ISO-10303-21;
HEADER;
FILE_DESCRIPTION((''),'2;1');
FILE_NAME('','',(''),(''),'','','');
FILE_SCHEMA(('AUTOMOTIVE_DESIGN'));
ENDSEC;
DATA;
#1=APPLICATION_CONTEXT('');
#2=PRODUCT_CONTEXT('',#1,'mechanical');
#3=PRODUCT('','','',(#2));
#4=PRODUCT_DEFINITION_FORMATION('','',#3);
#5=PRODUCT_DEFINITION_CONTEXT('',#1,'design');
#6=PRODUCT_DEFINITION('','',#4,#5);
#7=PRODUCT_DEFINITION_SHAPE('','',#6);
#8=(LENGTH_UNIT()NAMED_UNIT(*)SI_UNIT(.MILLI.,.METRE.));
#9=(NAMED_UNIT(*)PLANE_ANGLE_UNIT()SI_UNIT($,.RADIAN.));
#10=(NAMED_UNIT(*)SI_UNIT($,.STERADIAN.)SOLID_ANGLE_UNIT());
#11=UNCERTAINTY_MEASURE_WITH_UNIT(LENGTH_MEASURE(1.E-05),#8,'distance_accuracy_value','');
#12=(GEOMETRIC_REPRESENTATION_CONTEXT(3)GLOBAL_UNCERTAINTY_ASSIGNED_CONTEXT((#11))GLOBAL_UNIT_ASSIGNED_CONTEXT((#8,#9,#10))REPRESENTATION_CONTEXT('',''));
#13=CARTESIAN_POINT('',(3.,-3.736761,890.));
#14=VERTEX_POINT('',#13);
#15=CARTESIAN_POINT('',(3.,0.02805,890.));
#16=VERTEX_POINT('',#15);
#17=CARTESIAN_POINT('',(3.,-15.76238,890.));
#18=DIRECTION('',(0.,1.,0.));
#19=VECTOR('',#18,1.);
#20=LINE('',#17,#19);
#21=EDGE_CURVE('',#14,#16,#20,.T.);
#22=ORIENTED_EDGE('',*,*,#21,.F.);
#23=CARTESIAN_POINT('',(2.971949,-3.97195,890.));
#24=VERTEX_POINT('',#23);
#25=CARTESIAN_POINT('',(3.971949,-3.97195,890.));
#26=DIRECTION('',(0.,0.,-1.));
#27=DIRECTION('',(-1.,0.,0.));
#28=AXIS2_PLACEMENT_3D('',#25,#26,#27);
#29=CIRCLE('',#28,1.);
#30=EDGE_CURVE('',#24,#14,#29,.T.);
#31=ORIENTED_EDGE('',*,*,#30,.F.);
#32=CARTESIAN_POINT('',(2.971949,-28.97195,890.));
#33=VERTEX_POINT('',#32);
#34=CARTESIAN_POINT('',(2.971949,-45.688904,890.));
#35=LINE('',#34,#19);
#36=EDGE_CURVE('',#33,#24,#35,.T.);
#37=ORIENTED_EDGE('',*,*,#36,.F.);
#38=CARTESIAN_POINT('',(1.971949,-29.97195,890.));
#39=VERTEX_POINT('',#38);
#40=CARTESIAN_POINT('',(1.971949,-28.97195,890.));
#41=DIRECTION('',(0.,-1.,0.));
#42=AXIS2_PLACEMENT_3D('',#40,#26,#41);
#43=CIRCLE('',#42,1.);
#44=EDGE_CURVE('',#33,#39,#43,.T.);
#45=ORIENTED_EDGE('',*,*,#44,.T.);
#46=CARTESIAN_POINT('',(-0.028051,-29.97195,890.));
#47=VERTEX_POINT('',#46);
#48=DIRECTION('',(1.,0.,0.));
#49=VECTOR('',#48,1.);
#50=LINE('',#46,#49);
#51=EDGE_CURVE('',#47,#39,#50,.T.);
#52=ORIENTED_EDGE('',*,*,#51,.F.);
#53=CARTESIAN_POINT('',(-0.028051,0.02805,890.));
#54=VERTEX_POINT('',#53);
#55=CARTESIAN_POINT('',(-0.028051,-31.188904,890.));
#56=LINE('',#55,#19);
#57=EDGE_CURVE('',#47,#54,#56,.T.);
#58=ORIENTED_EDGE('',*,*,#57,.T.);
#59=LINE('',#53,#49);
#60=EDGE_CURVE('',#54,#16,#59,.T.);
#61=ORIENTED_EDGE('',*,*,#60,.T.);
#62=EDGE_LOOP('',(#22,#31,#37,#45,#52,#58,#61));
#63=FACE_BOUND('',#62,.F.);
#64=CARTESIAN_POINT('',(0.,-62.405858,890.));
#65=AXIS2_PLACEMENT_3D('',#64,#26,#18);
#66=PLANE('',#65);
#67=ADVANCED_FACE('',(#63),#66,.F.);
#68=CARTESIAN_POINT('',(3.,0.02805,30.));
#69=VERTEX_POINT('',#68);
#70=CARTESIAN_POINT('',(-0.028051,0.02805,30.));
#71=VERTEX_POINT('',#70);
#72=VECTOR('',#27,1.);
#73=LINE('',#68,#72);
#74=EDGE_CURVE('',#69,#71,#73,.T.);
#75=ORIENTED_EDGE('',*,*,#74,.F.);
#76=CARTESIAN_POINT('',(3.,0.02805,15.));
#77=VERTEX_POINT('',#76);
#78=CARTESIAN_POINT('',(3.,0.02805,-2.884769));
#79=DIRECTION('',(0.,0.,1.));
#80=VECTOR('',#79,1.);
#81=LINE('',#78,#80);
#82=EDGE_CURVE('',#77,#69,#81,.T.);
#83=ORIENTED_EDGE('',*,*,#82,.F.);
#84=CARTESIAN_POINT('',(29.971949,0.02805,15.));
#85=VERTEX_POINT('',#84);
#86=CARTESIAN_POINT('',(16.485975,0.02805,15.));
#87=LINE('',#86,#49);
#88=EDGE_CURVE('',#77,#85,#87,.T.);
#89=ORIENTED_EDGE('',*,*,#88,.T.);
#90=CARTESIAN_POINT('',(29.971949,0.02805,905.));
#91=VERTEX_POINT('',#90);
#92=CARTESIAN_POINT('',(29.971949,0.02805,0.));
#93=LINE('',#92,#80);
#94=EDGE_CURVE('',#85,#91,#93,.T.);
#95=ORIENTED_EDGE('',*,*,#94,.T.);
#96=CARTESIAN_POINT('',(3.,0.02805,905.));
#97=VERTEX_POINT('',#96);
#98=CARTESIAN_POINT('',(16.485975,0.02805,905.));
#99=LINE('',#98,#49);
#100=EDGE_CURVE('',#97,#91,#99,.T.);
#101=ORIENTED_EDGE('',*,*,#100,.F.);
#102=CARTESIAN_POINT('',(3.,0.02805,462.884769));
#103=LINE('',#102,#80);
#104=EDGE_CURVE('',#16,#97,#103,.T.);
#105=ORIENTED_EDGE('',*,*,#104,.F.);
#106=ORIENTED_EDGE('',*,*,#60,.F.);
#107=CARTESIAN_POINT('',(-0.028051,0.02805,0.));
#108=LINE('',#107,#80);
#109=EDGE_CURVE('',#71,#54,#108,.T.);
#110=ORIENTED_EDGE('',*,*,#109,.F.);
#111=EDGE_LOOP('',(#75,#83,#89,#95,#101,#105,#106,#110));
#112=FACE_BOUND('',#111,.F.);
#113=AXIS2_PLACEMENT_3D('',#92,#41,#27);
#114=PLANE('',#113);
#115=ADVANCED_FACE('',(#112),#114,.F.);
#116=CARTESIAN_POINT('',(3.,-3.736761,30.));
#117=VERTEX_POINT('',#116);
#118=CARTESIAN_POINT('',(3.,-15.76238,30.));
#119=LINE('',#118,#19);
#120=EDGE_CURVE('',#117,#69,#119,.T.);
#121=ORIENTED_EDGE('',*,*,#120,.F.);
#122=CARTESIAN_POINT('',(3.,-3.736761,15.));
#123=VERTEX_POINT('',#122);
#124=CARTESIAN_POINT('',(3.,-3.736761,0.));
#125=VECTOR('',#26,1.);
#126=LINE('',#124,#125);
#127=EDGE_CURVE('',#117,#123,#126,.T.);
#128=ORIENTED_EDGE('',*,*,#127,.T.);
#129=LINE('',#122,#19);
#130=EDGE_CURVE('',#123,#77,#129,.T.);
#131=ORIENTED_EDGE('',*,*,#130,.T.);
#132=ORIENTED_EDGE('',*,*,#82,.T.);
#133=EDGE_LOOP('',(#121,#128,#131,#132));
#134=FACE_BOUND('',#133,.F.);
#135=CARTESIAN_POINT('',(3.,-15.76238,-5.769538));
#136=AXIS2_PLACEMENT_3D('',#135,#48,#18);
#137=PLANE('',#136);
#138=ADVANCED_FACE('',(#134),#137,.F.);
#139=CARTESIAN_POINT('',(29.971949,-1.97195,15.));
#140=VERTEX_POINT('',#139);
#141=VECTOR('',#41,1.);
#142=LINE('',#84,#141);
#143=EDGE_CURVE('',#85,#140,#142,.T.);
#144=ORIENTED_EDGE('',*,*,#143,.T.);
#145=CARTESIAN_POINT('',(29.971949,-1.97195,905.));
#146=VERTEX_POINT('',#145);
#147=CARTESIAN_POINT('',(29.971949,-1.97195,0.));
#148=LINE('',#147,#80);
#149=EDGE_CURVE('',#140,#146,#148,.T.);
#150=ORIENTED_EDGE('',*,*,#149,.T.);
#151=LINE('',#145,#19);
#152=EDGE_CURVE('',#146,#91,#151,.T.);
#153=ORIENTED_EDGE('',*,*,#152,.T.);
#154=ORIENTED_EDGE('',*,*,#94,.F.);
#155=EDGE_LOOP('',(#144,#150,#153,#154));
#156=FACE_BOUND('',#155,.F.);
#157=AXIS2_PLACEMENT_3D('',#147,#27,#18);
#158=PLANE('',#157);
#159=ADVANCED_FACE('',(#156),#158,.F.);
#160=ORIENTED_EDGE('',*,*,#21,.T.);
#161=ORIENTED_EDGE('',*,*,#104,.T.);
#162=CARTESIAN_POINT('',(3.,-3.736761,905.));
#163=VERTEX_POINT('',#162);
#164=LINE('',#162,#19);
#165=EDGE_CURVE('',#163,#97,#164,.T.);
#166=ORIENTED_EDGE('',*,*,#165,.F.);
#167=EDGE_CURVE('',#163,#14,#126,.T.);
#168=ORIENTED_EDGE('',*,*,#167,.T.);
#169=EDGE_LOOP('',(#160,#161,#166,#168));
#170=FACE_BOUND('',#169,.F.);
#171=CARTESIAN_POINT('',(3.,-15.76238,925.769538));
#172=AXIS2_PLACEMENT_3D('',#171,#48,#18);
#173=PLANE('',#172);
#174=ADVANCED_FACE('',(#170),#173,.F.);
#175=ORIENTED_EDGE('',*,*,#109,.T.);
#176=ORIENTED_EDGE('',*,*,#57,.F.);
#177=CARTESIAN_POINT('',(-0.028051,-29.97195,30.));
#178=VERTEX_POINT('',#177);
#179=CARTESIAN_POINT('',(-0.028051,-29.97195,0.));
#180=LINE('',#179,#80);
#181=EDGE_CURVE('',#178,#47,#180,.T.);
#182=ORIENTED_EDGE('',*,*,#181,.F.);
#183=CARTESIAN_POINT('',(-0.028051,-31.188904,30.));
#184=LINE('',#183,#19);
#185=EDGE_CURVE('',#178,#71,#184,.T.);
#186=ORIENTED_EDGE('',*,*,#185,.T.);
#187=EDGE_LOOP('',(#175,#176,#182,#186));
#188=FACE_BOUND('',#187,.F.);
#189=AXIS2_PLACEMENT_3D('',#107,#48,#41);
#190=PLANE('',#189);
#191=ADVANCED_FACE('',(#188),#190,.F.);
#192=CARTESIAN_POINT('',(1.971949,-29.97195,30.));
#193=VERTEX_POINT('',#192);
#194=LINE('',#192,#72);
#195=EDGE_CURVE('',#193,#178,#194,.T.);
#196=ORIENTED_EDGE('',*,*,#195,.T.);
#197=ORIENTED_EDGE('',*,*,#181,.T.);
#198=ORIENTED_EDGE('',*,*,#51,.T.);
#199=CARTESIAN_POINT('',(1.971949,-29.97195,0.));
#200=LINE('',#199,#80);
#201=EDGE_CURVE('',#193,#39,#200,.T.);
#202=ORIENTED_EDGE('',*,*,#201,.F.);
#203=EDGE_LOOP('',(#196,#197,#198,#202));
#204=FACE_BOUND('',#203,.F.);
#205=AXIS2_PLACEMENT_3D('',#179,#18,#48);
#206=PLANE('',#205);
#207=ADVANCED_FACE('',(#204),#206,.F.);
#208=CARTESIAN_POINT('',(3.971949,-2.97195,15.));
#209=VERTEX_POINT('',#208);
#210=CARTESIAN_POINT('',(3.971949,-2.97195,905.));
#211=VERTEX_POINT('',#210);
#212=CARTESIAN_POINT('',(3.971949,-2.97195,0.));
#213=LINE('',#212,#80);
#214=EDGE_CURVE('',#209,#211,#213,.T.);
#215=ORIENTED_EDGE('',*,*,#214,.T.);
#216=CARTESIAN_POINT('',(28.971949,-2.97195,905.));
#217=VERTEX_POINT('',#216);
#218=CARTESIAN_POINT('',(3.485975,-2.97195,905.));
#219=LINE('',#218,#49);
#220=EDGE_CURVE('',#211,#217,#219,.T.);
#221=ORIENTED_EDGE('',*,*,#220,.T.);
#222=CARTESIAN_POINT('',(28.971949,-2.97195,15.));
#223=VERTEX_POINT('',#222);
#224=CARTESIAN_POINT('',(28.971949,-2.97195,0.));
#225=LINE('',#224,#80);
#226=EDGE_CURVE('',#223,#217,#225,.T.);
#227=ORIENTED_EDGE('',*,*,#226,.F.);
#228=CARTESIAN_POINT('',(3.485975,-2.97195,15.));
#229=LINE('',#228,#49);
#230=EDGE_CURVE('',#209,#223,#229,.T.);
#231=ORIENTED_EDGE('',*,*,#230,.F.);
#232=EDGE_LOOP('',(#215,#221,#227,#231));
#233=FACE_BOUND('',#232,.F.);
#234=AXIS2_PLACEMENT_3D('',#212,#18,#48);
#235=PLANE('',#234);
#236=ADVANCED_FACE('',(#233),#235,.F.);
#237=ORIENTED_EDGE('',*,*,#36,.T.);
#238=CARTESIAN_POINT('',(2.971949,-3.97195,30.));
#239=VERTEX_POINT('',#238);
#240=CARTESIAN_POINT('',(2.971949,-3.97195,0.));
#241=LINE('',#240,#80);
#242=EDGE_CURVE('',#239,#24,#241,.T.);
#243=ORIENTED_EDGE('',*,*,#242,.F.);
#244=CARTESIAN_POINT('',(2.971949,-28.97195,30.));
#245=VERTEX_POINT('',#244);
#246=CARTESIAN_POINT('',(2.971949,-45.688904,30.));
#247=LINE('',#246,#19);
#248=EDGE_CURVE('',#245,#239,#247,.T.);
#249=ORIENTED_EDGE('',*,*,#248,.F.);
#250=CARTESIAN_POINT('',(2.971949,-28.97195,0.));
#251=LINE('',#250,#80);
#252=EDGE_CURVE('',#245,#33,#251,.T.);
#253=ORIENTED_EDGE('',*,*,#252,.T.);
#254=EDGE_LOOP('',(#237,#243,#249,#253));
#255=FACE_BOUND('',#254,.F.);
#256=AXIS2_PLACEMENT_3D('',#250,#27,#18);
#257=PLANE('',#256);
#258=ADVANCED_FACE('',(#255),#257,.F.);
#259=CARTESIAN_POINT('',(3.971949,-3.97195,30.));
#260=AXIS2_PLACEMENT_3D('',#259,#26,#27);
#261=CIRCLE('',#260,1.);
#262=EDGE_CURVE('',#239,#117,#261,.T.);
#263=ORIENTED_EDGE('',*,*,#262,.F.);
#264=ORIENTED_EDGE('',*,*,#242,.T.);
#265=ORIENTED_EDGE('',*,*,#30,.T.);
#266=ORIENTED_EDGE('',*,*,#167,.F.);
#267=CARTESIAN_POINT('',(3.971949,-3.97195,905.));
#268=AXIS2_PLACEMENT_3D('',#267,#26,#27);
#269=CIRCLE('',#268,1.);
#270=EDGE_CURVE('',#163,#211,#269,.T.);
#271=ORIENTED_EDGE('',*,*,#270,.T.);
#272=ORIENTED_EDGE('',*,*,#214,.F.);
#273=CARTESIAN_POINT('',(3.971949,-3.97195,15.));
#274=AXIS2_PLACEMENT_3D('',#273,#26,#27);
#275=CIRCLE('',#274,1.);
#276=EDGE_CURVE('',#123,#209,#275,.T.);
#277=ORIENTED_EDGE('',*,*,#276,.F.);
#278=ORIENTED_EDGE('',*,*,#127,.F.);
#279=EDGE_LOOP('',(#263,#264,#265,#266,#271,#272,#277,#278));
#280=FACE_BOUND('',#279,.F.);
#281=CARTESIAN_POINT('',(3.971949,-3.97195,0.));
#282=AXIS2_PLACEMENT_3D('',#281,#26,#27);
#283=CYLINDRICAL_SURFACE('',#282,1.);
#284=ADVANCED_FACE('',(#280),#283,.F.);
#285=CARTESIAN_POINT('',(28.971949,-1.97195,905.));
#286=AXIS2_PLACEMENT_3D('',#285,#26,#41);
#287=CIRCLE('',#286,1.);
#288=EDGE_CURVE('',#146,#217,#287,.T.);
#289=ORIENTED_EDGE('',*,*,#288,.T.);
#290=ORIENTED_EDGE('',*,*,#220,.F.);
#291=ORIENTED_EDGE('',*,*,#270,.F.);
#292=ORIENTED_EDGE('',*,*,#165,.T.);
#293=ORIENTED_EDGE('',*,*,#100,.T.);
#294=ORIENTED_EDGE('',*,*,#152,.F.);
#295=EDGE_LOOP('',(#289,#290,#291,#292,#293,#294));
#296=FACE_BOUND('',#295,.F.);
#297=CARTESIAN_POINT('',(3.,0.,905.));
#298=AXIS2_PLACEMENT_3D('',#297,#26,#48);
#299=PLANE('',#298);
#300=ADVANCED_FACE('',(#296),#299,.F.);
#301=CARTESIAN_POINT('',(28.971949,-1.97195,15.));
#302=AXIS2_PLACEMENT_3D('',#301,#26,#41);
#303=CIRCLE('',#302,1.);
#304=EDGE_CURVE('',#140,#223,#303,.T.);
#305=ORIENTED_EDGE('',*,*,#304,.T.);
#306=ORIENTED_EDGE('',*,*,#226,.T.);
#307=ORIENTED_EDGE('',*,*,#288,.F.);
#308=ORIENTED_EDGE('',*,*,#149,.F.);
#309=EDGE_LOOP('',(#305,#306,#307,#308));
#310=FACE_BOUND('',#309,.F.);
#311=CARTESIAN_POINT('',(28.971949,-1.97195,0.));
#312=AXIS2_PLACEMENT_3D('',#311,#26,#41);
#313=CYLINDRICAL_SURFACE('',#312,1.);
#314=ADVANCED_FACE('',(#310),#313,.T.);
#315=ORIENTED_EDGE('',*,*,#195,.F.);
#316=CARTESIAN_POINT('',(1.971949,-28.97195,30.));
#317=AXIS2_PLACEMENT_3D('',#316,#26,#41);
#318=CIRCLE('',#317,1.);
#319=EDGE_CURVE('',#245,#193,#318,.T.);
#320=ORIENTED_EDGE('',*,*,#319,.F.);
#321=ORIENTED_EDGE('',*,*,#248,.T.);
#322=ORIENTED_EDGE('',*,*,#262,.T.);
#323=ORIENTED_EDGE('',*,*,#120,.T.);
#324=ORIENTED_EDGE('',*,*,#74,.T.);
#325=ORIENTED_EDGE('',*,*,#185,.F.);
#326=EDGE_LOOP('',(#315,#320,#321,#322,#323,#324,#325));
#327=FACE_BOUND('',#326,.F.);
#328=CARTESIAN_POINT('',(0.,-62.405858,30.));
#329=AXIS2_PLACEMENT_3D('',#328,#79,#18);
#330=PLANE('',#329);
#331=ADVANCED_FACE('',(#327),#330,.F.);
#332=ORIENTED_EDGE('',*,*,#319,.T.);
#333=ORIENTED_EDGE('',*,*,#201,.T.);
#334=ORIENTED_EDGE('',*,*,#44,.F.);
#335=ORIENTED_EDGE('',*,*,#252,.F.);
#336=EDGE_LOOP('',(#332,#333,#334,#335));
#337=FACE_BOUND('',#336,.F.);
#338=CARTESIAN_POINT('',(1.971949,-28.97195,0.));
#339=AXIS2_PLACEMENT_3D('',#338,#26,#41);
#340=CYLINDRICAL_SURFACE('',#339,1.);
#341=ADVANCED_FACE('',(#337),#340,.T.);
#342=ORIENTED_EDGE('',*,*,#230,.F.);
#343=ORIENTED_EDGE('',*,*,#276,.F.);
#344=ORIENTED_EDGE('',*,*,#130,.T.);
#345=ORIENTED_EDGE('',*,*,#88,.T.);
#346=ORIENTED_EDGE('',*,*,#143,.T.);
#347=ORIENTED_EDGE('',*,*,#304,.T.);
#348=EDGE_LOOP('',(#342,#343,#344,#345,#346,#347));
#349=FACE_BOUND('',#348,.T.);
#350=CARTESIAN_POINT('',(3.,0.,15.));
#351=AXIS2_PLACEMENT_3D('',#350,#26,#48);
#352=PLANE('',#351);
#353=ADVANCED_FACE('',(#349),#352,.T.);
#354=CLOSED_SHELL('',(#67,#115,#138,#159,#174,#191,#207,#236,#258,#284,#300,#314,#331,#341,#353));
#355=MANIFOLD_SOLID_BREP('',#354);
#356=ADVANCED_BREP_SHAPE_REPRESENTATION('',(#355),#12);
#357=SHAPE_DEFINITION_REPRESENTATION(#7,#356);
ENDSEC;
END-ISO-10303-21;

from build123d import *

# Parameters (mm, degrees)
F1_DEPTH      = 920
F2_W          = 32.354593277
F2_H          = 26.2916557118
F3_DEPTH      = 25
F3_DEPTH_BACK = 25
F4_W          = 93.2869557291
F4_H          = 71.5390760452
F5_DEPTH      = 3
F5_DEPTH_BACK = 25


with BuildPart() as f1:
    # F0 (on Top) → F1 (new body)
    with BuildSketch(Plane.XY):
        with BuildLine():
            Line((29.9719494759, 0.0280495928), (-0.0280505241, 0.0280495928))
            Line((-0.0280505241, 0.0280495928), (-0.0280505241, -29.9719504072))
            Line((-0.0280505241, -29.9719504072), (1.9719494759, -29.9719504072))
            ThreePointArc((1.9719494759, -29.9719504072), (2.679056257, -29.6790571884), (2.9719494759, -28.9719504072))
            Line((2.9719494759, -28.9719504072), (2.9719494759, -3.9719504072))
            ThreePointArc((2.9719494759, -3.9719504072), (3.2648426947, -3.264843626), (3.9719494759, -2.9719504072))
            Line((3.9719494759, -2.9719504072), (28.9719494759, -2.9719504072))
            ThreePointArc((28.9719494759, -2.9719504072), (29.679056257, -2.6790571884), (29.9719494759, -1.9719504072))
            Line((29.9719494759, -1.9719504072), (29.9719494759, 0.0280495928))
        make_face()
    extrude(amount=F1_DEPTH)

    # F2 (on Front) → F3 (cut, two sides)
    with BuildSketch(Plane.XZ) as f3_sk:
        with Locations((19.1772966385, 1.8541721441)):
            Rectangle(F2_W, F2_H)
        with Locations((19.1772966385, 918.1458278559)):
            Rectangle(F2_W, F2_H)
    extrude(amount=F3_DEPTH, mode=Mode.SUBTRACT)
    extrude(f3_sk.sketch, amount=-F3_DEPTH_BACK, mode=Mode.SUBTRACT)

    # F4 (on Right) → F5 (cut, two sides)
    with BuildSketch(Plane.YZ) as f5_sk:
        with Locations((-15.7623803243, -5.7695380226)):
            Rectangle(F4_W, F4_H)
        with Locations((-15.7623803243, 925.7695380226)):
            Rectangle(F4_W, F4_H)
    extrude(amount=F5_DEPTH, mode=Mode.SUBTRACT)
    extrude(f5_sk.sketch, amount=-F5_DEPTH_BACK, mode=Mode.SUBTRACT)


solid = f1.part
